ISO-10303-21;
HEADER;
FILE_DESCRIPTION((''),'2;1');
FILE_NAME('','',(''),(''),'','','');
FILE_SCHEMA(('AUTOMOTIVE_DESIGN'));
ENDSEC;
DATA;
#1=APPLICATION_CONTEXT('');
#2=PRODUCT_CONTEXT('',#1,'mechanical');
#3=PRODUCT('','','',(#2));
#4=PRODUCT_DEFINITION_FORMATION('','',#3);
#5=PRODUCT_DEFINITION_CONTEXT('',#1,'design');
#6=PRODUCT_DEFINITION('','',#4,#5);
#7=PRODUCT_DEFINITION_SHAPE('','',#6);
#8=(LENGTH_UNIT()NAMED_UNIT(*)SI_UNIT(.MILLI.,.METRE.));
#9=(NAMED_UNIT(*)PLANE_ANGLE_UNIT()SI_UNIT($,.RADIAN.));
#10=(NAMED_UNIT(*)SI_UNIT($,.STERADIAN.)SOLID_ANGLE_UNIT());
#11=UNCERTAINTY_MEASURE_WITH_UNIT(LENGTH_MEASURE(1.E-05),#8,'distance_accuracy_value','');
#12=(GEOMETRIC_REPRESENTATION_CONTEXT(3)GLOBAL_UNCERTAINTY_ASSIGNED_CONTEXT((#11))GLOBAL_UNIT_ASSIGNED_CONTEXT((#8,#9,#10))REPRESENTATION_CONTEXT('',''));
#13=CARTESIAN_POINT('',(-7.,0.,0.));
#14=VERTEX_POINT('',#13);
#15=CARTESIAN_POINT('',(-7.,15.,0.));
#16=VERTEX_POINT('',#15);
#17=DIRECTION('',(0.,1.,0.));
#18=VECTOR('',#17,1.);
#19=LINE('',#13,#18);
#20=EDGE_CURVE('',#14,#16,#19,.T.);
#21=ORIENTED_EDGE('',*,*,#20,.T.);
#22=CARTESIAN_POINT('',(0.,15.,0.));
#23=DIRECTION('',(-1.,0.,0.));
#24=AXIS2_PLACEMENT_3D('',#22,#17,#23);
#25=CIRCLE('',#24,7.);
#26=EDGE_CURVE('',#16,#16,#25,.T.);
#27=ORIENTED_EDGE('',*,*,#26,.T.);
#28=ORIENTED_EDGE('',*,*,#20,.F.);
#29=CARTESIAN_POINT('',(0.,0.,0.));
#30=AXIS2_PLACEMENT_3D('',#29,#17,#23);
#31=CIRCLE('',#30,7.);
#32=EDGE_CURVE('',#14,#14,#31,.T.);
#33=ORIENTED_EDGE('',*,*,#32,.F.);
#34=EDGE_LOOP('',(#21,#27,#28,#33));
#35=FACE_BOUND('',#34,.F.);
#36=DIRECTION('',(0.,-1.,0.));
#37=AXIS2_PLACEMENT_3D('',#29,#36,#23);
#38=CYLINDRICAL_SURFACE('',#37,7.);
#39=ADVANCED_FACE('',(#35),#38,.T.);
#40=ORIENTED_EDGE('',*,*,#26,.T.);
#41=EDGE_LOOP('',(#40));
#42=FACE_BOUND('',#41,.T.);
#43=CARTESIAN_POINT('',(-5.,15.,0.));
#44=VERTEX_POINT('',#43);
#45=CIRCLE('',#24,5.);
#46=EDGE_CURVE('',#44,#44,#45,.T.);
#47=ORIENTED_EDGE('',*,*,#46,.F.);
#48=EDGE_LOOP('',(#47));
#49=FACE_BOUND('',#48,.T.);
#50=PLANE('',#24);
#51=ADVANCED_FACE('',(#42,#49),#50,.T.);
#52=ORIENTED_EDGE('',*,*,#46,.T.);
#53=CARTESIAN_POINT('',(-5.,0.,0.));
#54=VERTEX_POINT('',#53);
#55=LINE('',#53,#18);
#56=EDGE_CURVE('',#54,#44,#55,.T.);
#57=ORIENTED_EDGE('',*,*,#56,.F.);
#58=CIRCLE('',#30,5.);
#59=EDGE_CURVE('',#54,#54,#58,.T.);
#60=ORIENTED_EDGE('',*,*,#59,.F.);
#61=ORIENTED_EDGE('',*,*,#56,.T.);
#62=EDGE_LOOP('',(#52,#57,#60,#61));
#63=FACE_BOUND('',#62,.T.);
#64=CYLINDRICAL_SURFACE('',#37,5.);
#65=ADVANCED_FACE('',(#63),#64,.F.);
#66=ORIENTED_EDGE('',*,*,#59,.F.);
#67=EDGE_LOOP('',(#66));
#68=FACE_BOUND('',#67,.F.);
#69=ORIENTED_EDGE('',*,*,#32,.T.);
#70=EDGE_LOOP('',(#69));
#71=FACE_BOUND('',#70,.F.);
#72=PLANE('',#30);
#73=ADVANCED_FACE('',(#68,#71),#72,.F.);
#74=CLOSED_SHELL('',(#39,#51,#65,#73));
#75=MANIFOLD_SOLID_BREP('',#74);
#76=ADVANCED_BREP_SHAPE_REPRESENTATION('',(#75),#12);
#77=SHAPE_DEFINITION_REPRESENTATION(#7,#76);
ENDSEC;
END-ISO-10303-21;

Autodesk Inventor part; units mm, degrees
ref_plane "YZ Plane" through (0, 0, 0) normal (1, 0, 0) x (0, 1, 0)
ref_plane "XZ Plane" through (0, 0, 0) normal (0, 1, 0) x (-1, 0, 0)
ref_plane "XY Plane" through (0, 0, 0) normal (0, 0, 1) x (1, 0, 0)
sketch "Sketch1" plane through (0, 0, 0) normal (0, 1, 0) x (-1, 0, 0)
  circle A0 centre (0, 0) radius 5
  circle A1 centre (0, 0) radius 7
  dimension "d0" = 10
  dimension "d1" = 2
extrude "Extrusion1" add sketch "Sketch1" along normal blind 15
ref_plane "Work Plane1" through (0, 7.5, 0) normal (0, -1, 0) x (1, 0, 0)
properties part number "CombineRodSpace"
